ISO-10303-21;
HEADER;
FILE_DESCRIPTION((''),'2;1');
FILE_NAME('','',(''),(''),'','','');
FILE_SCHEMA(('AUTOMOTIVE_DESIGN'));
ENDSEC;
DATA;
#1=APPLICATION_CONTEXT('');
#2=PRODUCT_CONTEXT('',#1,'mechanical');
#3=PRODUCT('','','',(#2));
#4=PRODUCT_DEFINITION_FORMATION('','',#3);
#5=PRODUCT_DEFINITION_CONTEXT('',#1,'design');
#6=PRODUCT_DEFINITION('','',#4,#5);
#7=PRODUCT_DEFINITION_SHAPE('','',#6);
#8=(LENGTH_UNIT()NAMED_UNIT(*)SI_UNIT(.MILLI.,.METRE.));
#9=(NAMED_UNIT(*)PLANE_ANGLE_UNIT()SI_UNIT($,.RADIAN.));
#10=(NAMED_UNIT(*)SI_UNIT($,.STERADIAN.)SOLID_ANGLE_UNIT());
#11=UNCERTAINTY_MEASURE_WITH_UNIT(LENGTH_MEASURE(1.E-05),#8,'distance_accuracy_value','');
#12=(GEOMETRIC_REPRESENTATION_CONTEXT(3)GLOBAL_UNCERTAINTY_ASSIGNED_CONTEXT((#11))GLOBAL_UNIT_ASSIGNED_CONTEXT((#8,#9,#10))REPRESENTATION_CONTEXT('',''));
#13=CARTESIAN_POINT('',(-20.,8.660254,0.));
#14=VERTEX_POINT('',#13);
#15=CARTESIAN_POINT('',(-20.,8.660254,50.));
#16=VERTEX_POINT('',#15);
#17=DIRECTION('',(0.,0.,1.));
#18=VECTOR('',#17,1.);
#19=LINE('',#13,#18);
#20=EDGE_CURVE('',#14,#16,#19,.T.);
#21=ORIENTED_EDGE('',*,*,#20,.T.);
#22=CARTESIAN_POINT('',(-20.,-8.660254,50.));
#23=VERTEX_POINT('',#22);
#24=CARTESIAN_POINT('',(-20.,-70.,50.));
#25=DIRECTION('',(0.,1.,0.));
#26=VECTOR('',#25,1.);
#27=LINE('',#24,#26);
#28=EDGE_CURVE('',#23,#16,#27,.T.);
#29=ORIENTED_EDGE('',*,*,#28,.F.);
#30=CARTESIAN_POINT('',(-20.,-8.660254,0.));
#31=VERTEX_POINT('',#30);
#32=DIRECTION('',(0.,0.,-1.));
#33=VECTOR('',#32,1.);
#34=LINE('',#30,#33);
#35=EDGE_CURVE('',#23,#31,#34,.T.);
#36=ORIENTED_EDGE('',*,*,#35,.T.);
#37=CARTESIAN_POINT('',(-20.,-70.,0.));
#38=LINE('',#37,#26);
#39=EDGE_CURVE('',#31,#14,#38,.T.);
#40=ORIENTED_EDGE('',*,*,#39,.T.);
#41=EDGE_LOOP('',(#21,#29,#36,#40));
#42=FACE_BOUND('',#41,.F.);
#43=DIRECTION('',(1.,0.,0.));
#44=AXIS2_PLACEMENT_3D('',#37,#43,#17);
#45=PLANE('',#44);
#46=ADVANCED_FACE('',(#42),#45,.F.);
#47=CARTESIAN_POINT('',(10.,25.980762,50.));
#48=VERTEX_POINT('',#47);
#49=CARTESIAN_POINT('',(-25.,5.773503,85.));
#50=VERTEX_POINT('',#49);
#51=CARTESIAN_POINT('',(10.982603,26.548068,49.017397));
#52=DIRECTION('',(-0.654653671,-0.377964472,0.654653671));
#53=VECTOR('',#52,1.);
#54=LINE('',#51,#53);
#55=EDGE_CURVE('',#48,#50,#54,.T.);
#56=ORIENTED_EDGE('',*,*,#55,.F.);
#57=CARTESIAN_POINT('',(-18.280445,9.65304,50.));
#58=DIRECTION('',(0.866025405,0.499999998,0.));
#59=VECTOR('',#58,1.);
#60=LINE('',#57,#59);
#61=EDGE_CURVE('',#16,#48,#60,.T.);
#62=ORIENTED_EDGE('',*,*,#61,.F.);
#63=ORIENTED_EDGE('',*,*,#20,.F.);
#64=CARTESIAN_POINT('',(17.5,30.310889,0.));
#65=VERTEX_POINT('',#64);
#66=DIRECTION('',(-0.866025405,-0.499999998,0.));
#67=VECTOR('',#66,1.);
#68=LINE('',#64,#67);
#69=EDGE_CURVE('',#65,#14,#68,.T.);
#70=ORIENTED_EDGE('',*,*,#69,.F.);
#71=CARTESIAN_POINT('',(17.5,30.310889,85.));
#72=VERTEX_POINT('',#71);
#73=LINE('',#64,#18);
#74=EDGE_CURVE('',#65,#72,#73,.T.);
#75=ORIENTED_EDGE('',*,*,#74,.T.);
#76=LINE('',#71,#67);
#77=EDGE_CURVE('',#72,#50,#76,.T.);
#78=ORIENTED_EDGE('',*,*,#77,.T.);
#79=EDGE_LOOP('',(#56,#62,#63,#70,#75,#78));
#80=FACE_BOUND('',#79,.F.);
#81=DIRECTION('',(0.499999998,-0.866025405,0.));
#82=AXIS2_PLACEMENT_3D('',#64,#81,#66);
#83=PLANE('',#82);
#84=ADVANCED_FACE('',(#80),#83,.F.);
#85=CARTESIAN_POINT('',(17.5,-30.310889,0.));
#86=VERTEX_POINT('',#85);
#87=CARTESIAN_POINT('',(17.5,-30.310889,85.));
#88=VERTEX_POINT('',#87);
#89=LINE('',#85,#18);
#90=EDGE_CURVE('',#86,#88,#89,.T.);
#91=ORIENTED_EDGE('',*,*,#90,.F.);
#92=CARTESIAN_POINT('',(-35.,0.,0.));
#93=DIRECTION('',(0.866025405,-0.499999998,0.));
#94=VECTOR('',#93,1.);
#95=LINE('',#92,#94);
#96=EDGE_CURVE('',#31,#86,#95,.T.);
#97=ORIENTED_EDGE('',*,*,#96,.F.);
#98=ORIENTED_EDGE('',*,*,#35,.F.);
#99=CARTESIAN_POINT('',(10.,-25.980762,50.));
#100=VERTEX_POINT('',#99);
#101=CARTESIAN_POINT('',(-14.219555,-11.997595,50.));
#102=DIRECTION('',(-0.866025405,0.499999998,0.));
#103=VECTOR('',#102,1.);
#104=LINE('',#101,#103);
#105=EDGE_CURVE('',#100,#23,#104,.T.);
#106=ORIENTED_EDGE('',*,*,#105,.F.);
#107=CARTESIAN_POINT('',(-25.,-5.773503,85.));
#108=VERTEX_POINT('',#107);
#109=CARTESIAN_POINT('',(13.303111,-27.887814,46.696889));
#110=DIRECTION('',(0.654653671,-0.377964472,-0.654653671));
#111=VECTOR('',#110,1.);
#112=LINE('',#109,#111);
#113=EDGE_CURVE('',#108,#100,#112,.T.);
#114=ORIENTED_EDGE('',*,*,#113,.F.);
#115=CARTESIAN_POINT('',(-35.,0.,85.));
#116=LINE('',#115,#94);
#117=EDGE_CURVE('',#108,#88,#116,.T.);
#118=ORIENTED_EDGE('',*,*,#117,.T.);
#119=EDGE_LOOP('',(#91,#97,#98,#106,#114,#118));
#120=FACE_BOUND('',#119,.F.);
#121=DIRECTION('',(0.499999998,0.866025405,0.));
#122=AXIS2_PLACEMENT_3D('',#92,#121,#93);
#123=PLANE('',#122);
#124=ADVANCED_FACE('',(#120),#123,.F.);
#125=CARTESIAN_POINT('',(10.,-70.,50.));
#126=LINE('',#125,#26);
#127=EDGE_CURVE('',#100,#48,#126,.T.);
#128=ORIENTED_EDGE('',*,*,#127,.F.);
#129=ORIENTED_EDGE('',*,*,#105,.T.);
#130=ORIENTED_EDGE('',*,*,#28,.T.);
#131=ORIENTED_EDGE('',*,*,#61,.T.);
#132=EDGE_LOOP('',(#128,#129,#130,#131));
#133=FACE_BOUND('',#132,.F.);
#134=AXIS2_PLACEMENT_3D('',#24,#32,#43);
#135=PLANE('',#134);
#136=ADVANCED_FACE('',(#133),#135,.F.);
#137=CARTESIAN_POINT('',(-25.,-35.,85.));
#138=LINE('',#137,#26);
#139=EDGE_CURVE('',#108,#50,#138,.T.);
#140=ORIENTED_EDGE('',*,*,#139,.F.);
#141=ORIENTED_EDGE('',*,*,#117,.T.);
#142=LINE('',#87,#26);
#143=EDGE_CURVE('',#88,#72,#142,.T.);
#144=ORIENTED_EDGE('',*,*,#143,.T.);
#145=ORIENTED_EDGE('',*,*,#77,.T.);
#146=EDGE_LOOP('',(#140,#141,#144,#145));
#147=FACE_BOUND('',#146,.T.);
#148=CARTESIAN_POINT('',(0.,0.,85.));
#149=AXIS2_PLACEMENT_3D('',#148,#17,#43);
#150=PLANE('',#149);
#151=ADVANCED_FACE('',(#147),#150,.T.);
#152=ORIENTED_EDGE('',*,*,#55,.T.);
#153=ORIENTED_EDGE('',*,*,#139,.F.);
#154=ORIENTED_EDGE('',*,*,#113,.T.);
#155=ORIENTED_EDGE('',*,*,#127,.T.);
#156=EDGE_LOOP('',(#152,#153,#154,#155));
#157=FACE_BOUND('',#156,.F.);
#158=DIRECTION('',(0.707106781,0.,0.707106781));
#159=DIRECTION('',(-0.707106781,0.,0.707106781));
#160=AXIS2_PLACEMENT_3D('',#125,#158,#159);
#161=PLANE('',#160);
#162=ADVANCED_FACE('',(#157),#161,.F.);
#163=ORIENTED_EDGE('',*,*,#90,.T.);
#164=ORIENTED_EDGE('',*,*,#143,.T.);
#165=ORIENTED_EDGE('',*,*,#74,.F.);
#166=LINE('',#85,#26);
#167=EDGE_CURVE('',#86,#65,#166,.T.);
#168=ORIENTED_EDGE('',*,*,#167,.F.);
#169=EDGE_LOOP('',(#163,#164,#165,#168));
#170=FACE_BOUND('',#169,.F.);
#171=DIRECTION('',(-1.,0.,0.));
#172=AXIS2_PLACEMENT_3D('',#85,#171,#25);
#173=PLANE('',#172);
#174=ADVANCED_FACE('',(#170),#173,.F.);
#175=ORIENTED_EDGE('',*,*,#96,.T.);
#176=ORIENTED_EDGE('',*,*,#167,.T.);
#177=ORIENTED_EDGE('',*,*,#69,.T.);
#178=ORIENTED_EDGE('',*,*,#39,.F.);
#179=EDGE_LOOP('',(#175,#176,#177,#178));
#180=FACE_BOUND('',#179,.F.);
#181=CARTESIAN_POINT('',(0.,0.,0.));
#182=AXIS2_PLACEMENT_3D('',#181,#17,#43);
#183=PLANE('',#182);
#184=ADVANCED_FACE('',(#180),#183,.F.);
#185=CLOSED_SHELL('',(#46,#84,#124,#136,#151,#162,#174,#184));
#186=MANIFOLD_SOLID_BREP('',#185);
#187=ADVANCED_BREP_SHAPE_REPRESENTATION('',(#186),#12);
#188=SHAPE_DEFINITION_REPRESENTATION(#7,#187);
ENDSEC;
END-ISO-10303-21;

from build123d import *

# Parameters (mm, degrees)
F1_DEPTH = 85
F4_DEPTH = 120


with BuildPart() as f1:
    # F0 (on Top) → F1 (new body)
    with BuildSketch(Plane.XY):
        Polygon((17.5, 30.310889), (-35, 0), (17.5, -30.310889), align=None)
    extrude(amount=F1_DEPTH)

    # F3 (on offset) → F4 (cut)
    with BuildSketch(Plane.XZ.offset(70)):
        Polygon((-44.77262, 0), (-20, 0), (-20, 50), (10, 50), (-25.159609, 85.159609), (-42.797305, 85.159609), align=None)
    extrude(amount=-F4_DEPTH, mode=Mode.SUBTRACT)


solid = f1.part
